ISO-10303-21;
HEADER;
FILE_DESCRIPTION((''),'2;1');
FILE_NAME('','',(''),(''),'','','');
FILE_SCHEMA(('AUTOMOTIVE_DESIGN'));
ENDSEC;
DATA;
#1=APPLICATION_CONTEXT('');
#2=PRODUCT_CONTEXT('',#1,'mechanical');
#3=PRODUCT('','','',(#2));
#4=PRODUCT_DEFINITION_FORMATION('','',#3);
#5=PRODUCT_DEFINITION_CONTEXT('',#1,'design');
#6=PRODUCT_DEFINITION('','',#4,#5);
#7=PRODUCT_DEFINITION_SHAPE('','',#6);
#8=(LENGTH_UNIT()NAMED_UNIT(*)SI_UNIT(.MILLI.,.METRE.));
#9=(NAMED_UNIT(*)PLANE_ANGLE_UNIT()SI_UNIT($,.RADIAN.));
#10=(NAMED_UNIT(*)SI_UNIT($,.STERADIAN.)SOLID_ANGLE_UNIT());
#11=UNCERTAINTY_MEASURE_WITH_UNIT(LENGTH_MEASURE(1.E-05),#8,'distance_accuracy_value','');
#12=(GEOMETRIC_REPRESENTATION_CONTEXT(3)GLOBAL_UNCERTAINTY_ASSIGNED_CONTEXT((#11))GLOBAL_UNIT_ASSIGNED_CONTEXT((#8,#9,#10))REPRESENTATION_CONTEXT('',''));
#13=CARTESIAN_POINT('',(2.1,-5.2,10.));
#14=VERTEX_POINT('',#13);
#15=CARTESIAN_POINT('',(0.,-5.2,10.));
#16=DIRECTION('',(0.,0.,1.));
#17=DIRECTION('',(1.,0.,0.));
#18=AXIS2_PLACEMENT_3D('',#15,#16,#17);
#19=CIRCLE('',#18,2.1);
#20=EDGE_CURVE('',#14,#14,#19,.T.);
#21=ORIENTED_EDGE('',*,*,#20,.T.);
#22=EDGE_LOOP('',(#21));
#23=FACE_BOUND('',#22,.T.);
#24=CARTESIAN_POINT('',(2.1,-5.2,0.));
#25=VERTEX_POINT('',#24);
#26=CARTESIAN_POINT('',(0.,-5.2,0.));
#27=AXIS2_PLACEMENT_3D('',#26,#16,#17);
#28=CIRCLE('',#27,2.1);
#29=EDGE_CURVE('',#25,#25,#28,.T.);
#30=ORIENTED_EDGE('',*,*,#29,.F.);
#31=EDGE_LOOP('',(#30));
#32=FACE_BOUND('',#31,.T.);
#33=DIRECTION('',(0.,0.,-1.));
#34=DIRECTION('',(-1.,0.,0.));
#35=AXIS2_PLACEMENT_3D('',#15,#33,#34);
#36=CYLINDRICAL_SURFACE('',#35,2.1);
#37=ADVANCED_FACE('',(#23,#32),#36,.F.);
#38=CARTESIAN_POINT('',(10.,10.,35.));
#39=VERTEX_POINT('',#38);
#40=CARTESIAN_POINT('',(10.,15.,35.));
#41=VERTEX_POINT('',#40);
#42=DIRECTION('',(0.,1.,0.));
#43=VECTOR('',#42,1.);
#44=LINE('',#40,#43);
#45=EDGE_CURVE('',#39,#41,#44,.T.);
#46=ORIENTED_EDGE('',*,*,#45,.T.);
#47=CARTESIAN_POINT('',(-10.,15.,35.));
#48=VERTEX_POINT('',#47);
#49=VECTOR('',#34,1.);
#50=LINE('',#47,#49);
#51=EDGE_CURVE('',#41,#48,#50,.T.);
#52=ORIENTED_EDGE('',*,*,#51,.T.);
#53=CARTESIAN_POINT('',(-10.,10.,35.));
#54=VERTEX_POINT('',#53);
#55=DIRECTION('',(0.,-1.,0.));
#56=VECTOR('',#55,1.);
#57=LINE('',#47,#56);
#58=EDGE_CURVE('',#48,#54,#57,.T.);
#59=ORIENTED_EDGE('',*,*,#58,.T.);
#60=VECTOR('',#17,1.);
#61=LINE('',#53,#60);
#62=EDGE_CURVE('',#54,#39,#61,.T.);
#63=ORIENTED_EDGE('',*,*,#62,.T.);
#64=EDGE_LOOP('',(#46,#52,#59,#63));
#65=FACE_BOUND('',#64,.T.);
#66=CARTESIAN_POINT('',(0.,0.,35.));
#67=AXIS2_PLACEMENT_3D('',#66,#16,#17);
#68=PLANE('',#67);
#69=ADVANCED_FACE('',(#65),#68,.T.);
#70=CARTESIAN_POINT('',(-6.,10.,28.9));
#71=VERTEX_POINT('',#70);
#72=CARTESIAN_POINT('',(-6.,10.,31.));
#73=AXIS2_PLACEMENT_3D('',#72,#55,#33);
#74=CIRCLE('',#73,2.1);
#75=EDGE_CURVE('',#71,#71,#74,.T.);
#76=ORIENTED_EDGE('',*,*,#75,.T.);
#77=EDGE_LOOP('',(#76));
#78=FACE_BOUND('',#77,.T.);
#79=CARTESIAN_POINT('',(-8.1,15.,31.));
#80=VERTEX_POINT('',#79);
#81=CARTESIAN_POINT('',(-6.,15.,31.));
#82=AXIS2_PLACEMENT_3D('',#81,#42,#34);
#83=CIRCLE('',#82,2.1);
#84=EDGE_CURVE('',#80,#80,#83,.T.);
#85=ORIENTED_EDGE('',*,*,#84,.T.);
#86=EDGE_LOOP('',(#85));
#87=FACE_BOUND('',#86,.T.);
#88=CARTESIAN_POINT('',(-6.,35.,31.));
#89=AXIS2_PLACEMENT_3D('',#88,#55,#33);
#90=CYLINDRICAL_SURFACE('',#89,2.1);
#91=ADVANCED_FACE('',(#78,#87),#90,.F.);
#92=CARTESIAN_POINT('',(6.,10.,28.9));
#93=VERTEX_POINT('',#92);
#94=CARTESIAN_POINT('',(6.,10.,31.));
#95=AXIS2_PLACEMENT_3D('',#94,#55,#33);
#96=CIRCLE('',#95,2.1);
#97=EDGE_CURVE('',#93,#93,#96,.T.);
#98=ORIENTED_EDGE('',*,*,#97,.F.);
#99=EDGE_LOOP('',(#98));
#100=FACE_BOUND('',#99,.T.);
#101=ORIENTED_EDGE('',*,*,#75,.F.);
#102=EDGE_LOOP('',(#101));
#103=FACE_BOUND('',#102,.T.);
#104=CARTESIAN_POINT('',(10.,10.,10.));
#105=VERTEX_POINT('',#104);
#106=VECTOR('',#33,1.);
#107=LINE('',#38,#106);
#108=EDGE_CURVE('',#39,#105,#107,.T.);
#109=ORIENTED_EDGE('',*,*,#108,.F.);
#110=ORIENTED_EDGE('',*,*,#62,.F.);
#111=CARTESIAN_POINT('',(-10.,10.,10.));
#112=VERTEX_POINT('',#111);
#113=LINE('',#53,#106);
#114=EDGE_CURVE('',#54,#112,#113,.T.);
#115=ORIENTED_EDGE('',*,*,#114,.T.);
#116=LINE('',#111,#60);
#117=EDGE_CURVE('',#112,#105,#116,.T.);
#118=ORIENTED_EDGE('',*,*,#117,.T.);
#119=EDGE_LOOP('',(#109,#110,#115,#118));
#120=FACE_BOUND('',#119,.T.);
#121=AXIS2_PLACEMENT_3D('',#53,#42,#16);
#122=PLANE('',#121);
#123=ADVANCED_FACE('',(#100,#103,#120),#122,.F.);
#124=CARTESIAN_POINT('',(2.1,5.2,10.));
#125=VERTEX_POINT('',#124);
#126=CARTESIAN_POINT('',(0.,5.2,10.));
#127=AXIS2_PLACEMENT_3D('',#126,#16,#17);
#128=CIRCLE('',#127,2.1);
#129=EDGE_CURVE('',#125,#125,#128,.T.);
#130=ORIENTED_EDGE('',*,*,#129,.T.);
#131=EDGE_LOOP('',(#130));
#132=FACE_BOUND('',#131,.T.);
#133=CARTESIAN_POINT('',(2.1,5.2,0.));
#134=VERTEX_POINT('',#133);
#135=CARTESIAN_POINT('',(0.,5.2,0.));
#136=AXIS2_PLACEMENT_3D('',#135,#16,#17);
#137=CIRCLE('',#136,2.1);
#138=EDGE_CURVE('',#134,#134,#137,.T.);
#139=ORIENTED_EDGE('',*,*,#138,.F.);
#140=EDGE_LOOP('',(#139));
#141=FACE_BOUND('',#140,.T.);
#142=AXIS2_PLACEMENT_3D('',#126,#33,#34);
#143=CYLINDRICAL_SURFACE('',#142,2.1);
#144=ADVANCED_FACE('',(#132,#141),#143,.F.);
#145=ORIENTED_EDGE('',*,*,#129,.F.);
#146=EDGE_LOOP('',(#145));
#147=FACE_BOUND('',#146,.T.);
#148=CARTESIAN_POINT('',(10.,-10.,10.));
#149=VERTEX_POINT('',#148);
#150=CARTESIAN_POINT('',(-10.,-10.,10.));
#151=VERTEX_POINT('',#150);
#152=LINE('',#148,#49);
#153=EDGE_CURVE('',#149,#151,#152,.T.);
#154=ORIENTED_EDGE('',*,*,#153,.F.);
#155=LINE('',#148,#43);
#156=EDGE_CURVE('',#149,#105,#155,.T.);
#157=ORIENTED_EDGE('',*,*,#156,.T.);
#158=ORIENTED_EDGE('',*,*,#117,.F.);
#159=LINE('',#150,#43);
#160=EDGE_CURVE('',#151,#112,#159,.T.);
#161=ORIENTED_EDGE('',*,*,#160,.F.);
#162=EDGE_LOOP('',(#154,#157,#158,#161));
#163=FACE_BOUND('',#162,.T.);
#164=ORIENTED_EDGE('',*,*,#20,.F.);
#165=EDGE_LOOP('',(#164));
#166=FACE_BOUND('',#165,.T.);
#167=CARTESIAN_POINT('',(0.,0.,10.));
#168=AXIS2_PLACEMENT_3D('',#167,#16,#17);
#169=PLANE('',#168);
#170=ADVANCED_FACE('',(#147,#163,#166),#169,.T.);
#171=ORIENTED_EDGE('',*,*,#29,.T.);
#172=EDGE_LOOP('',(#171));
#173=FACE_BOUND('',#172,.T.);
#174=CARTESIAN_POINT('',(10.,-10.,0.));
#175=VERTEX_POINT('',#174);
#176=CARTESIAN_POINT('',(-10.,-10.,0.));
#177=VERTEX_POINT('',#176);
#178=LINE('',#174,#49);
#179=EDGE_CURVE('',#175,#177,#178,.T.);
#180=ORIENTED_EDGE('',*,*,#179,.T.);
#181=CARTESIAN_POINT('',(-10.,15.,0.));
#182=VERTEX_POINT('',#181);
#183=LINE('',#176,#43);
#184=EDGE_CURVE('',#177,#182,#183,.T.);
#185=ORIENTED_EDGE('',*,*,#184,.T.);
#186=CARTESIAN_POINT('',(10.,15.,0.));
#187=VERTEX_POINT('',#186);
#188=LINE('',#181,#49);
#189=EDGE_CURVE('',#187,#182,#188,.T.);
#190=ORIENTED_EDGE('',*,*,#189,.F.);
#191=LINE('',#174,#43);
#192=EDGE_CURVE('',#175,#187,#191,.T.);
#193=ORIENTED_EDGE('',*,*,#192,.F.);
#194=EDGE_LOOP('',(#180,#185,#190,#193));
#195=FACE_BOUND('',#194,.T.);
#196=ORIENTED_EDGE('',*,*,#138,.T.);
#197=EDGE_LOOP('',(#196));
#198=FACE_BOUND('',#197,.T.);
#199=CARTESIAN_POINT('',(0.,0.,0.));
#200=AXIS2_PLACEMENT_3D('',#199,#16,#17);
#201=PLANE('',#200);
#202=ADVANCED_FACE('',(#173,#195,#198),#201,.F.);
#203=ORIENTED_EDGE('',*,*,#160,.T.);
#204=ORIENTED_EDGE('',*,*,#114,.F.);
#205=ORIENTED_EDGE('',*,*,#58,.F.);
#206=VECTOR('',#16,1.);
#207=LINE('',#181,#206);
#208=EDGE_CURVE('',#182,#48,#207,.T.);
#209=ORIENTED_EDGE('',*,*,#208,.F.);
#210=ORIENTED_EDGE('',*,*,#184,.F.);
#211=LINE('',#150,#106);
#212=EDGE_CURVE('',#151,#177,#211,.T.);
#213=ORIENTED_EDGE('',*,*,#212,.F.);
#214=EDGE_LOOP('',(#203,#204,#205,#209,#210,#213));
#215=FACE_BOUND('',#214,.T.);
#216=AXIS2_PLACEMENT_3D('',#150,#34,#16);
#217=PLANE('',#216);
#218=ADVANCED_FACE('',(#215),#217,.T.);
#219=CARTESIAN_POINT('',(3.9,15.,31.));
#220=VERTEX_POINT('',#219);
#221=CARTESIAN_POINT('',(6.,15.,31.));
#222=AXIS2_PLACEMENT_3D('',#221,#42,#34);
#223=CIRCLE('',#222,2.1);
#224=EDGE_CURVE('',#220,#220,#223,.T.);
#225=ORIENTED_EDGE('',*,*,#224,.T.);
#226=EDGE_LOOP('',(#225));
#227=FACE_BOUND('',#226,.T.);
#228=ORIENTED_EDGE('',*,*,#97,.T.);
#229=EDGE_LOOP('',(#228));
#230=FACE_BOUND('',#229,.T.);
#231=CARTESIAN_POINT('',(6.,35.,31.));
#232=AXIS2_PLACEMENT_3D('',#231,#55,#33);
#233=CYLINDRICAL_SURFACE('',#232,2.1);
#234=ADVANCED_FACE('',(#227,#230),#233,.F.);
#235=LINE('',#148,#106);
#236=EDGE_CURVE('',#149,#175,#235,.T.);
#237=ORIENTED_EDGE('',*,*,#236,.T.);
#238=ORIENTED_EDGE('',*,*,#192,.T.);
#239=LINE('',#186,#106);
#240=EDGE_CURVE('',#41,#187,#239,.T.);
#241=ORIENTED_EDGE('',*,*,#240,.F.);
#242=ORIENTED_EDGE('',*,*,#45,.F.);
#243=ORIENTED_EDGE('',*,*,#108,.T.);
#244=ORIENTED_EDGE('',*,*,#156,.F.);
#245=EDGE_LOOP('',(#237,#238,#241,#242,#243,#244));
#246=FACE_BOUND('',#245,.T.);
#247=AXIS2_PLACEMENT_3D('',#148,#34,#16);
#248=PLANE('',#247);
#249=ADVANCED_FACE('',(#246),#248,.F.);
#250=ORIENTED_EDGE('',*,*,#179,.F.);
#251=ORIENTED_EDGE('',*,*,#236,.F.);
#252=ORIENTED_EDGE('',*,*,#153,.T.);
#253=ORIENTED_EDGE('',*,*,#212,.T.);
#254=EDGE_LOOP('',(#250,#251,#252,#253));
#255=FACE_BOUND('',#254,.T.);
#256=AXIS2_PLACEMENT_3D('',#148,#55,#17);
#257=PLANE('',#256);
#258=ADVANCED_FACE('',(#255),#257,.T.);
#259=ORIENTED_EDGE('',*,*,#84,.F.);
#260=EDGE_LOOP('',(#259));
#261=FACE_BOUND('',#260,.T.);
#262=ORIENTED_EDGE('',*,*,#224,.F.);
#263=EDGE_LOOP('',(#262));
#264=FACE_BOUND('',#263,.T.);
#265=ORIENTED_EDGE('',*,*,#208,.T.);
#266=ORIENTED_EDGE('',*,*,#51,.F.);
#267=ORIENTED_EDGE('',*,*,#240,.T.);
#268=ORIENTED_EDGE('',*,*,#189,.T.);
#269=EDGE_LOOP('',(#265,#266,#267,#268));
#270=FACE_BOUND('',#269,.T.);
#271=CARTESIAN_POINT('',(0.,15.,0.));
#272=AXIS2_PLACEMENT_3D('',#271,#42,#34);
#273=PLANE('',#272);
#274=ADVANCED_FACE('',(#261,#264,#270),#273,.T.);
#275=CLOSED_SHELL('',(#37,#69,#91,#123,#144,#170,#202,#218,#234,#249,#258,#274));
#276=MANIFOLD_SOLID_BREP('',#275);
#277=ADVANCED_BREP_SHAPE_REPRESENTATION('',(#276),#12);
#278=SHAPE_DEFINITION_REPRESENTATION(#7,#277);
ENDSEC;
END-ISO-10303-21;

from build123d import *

# Parameters (mm, degrees)
SKETCH_1_W          = 20
SKETCH_1_H          = 20
SKETCH_1_R          = 2.1
EXTRUDE_1_DEPTH     = 10
SKETCH_2_W          = 20
SKETCH_2_H          = 10
EXTRUDE_2_DEPTH     = 5
SKETCH_3_W          = 20
SKETCH_3_H          = 5
EXTRUDE_3_DEPTH     = 25
SKETCH_4_R          = 2.1
CUT_EXTRUDE_1_DEPTH = 25


with BuildPart() as part:
    # 草图1 → 凸台-拉伸1 (new body)
    with BuildSketch(Plane.XY):
        Rectangle(SKETCH_1_W, SKETCH_1_H)
        with Locations((0, 5.2)):
            Circle(SKETCH_1_R, mode=Mode.SUBTRACT)
        with Locations((0, -5.2)):
            Circle(SKETCH_1_R, mode=Mode.SUBTRACT)
    extrude(amount=EXTRUDE_1_DEPTH)

    # 草图2 → 凸台-拉伸2 (add)
    with BuildSketch(Plane(origin=(0, 10, 0), x_dir=(1, 0, 0), z_dir=(0, 1, 0))):
        with Locations((0, -5)):
            Rectangle(SKETCH_2_W, SKETCH_2_H)
    extrude(amount=EXTRUDE_2_DEPTH)

    # 草图3 → 凸台-拉伸3 (add)
    with BuildSketch(Plane.XY.offset(10)):
        with Locations((0, 12.5)):
            Rectangle(SKETCH_3_W, SKETCH_3_H)
    extrude(amount=EXTRUDE_3_DEPTH)

    # 草图4 → 切除-拉伸1 (cut)
    with BuildSketch(Plane.XZ.offset(-10)):
        with Locations((-6, 31)):
            Circle(SKETCH_4_R)
        with Locations((6, 31)):
            Circle(SKETCH_4_R)
    extrude(amount=-CUT_EXTRUDE_1_DEPTH, mode=Mode.SUBTRACT)


solid = part.part
